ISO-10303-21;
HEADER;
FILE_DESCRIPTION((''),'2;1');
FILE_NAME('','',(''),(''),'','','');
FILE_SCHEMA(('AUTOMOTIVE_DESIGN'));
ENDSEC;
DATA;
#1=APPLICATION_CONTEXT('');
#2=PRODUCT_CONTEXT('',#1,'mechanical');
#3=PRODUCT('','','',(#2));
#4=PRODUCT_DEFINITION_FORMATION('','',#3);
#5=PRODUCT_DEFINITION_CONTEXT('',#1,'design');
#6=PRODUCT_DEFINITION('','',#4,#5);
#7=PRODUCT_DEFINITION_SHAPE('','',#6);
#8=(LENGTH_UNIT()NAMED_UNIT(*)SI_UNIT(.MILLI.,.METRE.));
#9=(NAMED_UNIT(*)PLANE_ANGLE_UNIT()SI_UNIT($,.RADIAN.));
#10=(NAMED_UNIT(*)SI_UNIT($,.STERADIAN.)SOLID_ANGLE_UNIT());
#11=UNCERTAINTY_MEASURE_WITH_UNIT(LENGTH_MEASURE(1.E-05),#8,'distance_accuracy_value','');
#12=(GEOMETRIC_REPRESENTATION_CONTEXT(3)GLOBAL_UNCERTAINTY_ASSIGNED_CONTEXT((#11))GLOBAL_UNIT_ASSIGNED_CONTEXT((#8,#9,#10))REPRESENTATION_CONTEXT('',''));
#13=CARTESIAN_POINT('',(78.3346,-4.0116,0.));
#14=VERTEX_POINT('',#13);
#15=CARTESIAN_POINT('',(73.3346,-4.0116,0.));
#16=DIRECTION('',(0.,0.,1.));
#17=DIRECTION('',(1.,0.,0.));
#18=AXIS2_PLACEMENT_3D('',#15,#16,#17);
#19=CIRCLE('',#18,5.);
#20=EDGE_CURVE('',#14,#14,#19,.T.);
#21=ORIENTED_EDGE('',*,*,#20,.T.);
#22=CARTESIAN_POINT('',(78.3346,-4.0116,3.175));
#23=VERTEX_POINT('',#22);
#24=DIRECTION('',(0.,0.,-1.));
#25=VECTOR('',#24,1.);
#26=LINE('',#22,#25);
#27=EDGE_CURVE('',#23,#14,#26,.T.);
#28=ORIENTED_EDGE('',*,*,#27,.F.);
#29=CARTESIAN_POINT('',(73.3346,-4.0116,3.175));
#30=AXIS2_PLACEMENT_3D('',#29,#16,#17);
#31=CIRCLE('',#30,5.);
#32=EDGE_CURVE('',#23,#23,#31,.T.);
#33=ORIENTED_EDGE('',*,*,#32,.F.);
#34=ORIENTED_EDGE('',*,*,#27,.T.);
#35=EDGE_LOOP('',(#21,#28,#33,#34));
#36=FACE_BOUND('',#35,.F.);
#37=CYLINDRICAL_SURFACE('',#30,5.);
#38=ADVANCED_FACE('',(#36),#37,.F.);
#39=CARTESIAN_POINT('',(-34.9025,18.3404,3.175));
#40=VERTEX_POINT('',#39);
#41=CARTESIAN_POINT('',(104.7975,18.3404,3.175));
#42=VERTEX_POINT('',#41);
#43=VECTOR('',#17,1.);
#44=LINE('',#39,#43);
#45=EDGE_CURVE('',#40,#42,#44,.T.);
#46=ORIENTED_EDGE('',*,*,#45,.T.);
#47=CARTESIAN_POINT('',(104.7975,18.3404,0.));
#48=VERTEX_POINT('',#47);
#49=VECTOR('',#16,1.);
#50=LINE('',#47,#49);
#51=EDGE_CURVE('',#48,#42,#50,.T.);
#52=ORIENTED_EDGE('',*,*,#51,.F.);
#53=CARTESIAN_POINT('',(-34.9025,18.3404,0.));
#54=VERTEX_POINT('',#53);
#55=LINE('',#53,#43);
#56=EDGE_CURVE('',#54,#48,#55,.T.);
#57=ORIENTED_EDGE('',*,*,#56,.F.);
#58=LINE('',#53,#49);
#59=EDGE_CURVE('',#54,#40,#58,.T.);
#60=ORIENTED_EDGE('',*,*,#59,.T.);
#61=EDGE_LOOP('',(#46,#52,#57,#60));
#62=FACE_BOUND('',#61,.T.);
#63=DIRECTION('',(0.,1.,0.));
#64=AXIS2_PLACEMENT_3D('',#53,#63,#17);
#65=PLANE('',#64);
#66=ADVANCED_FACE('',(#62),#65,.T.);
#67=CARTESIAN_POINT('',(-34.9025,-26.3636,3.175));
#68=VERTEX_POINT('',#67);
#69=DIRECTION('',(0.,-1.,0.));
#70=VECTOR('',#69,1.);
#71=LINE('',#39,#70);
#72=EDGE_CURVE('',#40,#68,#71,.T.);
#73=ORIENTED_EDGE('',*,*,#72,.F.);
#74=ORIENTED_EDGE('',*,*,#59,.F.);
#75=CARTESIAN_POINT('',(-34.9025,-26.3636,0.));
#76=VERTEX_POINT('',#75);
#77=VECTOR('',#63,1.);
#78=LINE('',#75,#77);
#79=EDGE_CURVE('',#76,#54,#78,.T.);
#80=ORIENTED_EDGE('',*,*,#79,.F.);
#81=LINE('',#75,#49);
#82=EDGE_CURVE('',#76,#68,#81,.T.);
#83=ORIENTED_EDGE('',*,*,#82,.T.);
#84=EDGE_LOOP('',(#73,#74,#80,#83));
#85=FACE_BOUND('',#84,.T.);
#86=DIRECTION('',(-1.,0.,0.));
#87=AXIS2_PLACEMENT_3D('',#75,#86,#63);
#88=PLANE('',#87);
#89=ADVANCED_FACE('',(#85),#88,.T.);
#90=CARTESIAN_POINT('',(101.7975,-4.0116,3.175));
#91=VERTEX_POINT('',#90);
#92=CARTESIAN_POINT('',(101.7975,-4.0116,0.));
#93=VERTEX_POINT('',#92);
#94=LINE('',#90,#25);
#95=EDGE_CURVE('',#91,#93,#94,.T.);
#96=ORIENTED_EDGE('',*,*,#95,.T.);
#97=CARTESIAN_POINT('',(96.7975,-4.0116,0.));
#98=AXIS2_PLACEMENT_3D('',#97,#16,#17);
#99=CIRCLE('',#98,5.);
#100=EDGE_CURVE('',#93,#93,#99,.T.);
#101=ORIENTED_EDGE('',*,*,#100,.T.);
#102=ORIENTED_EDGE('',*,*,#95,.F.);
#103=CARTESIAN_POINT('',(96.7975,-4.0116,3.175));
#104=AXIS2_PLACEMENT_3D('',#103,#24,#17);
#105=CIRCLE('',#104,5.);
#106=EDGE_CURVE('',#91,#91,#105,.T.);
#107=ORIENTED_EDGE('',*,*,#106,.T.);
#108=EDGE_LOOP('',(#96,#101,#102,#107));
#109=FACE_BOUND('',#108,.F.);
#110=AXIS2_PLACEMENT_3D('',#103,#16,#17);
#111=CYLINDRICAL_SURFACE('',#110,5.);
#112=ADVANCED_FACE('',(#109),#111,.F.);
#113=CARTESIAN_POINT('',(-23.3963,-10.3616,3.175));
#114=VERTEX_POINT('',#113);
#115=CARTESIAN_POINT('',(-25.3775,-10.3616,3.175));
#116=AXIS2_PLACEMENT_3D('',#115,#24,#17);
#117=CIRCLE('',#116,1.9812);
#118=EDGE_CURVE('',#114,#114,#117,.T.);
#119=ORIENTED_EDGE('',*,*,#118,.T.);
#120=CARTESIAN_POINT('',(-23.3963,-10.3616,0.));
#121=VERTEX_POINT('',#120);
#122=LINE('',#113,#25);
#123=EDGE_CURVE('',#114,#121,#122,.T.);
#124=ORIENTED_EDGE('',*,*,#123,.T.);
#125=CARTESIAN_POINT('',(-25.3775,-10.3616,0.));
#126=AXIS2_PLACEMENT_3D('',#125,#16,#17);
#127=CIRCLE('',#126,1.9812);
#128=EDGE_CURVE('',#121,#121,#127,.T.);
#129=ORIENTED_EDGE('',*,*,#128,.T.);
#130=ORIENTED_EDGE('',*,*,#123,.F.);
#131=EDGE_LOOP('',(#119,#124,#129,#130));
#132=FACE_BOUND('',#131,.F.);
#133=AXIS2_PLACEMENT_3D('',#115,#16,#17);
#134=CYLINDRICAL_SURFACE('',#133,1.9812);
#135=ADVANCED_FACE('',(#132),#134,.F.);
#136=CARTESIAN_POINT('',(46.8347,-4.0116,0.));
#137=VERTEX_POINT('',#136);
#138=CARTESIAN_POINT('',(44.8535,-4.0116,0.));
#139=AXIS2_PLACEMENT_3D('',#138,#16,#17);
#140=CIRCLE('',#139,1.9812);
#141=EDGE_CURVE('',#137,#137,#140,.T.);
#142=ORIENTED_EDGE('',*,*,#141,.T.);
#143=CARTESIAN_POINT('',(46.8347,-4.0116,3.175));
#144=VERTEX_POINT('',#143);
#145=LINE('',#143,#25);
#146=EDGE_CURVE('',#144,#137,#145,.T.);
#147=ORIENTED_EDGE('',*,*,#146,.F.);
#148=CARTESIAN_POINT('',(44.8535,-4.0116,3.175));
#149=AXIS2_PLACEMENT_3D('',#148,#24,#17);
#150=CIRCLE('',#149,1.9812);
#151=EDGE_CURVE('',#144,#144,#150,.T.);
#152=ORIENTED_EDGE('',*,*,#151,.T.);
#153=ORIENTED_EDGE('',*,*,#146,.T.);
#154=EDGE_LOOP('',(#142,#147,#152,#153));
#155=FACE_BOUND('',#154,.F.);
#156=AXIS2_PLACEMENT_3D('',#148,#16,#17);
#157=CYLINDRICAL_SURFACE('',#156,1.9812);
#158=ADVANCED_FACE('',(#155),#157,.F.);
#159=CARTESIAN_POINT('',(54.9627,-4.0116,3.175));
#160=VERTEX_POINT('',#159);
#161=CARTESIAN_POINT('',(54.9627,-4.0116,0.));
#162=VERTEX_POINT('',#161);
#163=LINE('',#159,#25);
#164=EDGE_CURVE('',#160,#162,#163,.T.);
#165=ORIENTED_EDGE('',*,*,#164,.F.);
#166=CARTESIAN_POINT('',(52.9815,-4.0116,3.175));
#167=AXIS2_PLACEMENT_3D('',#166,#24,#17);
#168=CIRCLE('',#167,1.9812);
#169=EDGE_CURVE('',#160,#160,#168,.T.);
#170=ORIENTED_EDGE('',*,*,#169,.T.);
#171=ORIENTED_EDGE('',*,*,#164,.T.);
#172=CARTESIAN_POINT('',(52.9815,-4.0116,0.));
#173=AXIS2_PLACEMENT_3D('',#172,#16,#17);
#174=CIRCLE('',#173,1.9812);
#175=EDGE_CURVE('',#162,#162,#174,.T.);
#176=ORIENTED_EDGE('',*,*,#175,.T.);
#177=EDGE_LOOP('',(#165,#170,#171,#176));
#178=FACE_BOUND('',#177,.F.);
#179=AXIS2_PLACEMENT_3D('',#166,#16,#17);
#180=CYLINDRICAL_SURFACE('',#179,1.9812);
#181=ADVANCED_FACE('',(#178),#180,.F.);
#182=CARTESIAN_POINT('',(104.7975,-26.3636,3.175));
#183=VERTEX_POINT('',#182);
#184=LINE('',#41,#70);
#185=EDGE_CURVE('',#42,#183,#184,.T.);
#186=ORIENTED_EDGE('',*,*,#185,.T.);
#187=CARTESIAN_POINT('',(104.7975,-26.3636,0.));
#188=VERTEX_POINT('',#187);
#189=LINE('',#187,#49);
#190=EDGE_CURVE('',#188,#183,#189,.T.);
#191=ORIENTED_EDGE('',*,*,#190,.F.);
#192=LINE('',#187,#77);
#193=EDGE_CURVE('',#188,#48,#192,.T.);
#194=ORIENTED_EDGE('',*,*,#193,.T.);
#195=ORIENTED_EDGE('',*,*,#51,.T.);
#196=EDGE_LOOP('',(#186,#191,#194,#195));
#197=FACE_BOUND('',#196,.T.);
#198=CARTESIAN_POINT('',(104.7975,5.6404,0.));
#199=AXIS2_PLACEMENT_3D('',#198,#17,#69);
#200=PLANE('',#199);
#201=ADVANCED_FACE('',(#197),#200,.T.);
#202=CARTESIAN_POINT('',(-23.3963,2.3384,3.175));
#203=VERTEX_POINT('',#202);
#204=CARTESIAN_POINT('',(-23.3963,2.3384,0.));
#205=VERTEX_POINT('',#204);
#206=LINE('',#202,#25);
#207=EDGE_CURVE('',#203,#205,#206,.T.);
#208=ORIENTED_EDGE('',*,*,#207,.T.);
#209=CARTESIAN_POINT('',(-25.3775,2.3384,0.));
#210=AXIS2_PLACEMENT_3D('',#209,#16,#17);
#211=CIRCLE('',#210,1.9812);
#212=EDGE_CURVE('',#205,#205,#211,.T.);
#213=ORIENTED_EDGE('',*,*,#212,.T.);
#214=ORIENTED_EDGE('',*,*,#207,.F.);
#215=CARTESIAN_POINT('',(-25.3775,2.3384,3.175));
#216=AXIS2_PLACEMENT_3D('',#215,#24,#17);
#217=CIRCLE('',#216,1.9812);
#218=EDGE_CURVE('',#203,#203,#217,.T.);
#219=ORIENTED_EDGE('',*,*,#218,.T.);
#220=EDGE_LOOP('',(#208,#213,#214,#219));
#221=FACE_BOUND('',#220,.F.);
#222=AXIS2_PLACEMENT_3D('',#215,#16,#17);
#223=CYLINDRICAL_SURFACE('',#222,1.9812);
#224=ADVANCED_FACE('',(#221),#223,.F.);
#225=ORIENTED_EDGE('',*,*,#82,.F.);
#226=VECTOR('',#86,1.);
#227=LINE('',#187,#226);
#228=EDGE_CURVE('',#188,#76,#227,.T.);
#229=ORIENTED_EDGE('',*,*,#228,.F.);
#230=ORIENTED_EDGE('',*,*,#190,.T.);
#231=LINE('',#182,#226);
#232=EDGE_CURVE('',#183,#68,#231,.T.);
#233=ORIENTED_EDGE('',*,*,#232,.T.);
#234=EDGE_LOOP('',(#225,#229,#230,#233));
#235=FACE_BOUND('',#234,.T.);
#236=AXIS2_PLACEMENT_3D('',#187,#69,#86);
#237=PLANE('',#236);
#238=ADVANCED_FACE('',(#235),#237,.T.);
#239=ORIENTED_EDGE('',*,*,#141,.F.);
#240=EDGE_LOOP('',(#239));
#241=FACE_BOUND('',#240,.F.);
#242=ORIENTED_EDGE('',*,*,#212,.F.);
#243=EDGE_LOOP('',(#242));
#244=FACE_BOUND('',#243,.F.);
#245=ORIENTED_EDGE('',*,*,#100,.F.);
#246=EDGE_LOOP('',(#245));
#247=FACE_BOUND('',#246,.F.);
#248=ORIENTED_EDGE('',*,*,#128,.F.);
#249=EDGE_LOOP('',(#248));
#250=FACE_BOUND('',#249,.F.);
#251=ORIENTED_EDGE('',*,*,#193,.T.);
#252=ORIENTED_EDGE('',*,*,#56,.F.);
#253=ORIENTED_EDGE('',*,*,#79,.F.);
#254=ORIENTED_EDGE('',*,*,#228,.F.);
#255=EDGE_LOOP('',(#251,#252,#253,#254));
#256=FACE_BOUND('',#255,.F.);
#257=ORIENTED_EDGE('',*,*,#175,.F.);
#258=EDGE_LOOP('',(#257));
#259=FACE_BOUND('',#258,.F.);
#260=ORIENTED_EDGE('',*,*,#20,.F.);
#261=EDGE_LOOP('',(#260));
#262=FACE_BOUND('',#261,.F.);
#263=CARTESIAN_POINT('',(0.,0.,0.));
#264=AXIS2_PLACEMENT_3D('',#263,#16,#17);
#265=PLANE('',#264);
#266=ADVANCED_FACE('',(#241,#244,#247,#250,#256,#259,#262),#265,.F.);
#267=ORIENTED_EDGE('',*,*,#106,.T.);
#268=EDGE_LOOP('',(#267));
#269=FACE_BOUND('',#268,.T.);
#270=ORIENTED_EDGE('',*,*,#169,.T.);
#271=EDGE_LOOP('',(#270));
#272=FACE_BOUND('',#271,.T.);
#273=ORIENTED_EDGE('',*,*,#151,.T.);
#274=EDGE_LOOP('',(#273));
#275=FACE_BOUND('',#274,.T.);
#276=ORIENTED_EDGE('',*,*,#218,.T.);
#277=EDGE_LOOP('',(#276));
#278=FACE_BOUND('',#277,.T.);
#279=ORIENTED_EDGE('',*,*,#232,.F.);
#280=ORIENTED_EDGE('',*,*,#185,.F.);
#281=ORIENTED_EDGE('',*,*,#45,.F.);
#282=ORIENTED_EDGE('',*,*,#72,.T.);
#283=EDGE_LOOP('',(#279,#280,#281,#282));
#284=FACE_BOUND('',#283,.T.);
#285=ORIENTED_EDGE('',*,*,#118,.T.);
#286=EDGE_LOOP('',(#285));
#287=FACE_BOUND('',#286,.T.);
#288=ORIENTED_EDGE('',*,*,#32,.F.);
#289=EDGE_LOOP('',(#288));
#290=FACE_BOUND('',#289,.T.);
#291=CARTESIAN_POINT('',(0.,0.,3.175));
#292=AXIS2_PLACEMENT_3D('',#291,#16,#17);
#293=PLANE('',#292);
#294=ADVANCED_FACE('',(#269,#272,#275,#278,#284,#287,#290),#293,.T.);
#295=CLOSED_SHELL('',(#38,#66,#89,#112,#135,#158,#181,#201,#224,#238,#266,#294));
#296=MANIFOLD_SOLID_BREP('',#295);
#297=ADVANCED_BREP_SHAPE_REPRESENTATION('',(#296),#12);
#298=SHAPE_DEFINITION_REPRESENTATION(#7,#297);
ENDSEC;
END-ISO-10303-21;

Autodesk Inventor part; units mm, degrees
ref_plane "YZ Plane" through (0, 0, 0) normal (1, 0, 0) x (0, 1, 0)
ref_plane "XZ Plane" through (0, 0, 0) normal (0, 1, 0) x (-1, 0, 0)
ref_plane "XY Plane" through (0, 0, 0) normal (0, 0, 1) x (1, 0, 0)
sketch "Sketch1" plane through (0, 0, 0) normal (0, 0, 1) x (1, 0, 0)
  line L0 (-34.9025, 5.6404) -> (104.7975, 5.6404)
  line L1 (104.7975, 5.6404) -> (104.7975, -26.3636)
  line L2 (104.7975, -26.3636) -> (-34.9025, -26.3636)
  line L3 (-34.9025, -26.3636) -> (-34.9025, 5.6404)
  point P0 (0, 0)
  dimension "d0" = 139.7
  dimension "d1" = 32.004
extrude "Extrusion1" add sketch "Sketch1" along normal blind 3.175
sketch "Sketch2" plane through (-34.9025, 5.6404, 0) normal (0, 1, 0) x (1, 0, 0)
  line L0 (0, -3.175) -> (139.7, -3.175) projected
  line L1 (139.7, 0) -> (139.7, -3.175) projected
  line L2 (0, 0) -> (139.7, 0) projected
  line L3 (0, 0) -> (0, -3.175) projected
  point P0 (34.9025, 0)
extrude "Extrusion2" add sketch "Sketch2" along normal blind 12.7
sketch "Sketch3" plane through (0, 0, 3.175) normal (0, 0, 1) x (1, 0, 0)
  line L0 (104.7975, -26.3636) -> (-34.9025, -26.3636) projected
  line L1 (-34.9025, 18.3404) -> (-15.8525, 18.3404)
  line L2 (-15.8525, 18.3404) -> (-15.8525, -26.3636)
  line L3 (-15.8525, -26.3636) -> (-34.9025, -26.3636)
  line L4 (-34.9025, -26.3636) -> (-34.9025, 18.3404)
  line L5 (-34.9025, -4.0116) -> (-25.3775, -4.0116)
  line L6 (-25.3775, -4.0116) -> (-25.3775, 2.3384)
  line L7 (-25.3775, 2.3384) -> (-34.9025, 2.3384)
  line L8 (-34.9025, 2.3384) -> (-34.9025, -4.0116)
  line L9 (-25.3775, -4.0116) -> (-25.3775, -10.3616)
  circle A0 centre (-25.3775, 2.3384) radius 1.9812
  circle A1 centre (-25.3775, -10.3616) radius 1.9812
  point P0 (0, 0)
  dimension "d6" = 19.05
  dimension "d7" = 6.35
  dimension "d8" = 6.35
  dimension "d9" = 3.9624
extrude "Extrusion3" cut sketch "Sketch3" against normal blind 12.7 contours A1 | A0 L6 L7 | L7 L6 A0
sketch "Sketch4" plane through (0, 0, 3.175) normal (0, 0, 1) x (1, 0, 0)
  line L0 (104.7975, 18.3404) -> (104.7975, -26.3636) projected
  line L1 (104.7975, -26.3636) -> (-34.9025, -26.3636) projected
  line L2 (104.7975, -4.0116) -> (96.7965, -4.0116)
  circle A0 centre (96.7965, -4.0116) radius 5.0038
  point P0 (0, 0)
  dimension "d12" = 8.001
  dimension "d13" = 10.0076
extrude "Extrusion4" cut sketch "Sketch4" against normal blind 12.7
sketch "Sketch5" plane through (0, 0, 3.175) normal (0, 0, 1) x (1, 0, 0)
  circle A0 centre (96.7965, -4.0116) radius 5.0038 projected
  point P0 (0, 0)
extrude "Extrusion5" add sketch "Sketch5" against normal blind 3.175
sketch "Sketch6" plane through (0, 0, 3.175) normal (0, 0, 1) x (1, 0, 0)
  line L0 (104.7975, 18.3404) -> (104.7975, -26.3636) projected
  line L1 (104.7975, -26.3636) -> (-34.9025, -26.3636) projected
  line L2 (104.7975, -4.0116) -> (96.7975, -4.0116)
  circle A0 centre (96.7975, -4.0116) radius 5
  line L3 (103.3346, -4.0116) -> (73.3346, -4.0116)
  circle A1 centre (73.3346, -4.0116) radius 5
  point P0 (0, 0)
  dimension "d18" = 8
  dimension "d19" = 10
  dimension "d20" = 30
extrude "Extrusion6" cut sketch "Sketch6" against normal blind 3.175
sketch "Sketch7" plane through (0, 0, 3.175) normal (0, 0, 1) x (1, 0, 0)
  line L0 (-34.9025, -26.3636) -> (-34.9025, 18.3404) projected
  line L1 (104.7975, -26.3636) -> (-34.9025, -26.3636) projected
  line L2 (-34.9025, -4.0116) -> (-15.8525, -4.0116)
  line L3 (-15.8525, -4.0116) -> (52.9815, -4.0116)
  line L4 (52.9815, -4.0116) -> (44.8535, -4.0116)
  circle A0 centre (52.9815, -4.0116) radius 1.9812
  circle A1 centre (44.8535, -4.0116) radius 1.9812
  point P0 (0, 0)
  dimension "d23" = 19.05
  dimension "d24" = 68.834
  dimension "d25" = 8.128
  dimension "d26" = 3.9624
  dimension "d27" = 3.9624
extrude "Extrusion7" cut sketch "Sketch7" against normal blind 25.4
properties part number "linac connector bar"
